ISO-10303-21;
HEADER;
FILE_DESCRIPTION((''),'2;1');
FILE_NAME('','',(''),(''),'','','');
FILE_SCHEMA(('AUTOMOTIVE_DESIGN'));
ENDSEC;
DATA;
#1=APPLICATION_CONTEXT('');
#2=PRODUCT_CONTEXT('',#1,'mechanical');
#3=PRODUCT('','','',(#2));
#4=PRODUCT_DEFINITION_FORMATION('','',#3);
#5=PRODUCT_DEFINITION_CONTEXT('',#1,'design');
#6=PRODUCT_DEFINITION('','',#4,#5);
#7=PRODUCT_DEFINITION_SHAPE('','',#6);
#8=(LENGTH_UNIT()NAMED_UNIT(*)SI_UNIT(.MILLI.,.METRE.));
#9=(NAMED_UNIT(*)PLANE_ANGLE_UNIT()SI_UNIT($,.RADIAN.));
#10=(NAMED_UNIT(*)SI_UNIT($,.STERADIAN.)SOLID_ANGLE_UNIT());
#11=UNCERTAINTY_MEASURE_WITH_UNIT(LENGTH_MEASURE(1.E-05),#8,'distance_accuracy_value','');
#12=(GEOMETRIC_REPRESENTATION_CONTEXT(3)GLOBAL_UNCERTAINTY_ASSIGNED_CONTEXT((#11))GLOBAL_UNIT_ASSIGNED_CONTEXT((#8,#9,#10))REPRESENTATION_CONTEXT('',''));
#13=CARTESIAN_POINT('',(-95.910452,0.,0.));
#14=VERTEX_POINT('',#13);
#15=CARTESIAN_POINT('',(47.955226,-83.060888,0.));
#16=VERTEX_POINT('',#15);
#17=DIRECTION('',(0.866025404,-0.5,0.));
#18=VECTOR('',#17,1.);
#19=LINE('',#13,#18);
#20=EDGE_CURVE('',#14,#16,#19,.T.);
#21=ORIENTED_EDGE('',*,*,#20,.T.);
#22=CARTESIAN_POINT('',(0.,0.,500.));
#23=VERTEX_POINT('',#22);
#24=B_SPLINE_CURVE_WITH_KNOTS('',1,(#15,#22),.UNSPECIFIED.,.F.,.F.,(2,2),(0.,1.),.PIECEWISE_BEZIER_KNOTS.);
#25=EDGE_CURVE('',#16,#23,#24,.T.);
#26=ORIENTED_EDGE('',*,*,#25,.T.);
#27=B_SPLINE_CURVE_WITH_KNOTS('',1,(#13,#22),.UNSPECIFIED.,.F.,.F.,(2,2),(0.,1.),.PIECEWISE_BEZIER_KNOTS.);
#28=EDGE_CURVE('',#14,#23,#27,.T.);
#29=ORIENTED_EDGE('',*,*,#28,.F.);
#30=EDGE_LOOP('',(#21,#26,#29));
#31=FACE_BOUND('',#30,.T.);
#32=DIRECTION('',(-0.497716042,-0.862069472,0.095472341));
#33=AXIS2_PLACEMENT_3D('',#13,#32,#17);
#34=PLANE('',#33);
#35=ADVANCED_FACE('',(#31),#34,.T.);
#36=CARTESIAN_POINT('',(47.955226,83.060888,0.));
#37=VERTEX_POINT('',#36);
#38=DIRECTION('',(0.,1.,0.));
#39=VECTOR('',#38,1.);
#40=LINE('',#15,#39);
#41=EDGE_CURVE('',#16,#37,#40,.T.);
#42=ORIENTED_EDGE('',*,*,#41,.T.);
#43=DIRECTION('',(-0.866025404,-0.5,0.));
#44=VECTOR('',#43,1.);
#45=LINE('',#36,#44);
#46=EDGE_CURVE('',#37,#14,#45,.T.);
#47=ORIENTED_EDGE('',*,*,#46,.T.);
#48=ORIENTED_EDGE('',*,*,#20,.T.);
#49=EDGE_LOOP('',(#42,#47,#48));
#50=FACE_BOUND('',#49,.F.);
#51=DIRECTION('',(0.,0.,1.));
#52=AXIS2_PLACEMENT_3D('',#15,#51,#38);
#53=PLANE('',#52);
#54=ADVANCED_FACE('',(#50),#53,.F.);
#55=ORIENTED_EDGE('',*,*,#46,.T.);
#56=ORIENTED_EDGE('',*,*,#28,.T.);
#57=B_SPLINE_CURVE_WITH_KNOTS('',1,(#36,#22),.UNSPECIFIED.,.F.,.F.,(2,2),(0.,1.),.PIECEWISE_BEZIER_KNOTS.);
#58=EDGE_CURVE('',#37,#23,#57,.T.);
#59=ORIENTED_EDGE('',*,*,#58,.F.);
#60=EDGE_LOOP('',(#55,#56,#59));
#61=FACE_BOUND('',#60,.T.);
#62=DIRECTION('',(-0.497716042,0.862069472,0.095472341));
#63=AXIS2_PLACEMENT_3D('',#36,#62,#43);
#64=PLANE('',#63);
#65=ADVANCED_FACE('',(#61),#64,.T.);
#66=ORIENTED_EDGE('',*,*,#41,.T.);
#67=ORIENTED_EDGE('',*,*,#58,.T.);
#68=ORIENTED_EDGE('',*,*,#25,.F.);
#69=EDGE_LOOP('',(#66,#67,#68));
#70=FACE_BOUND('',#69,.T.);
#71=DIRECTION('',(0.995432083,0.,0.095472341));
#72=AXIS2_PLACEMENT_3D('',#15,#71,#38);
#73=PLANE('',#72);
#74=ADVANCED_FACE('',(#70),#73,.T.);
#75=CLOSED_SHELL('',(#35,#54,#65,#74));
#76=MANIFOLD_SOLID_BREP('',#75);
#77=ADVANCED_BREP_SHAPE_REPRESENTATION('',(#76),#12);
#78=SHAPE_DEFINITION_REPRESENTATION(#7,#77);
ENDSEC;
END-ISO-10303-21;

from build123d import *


with BuildPart() as f3:
    # F0 (on Top) → F3 section 0
    with BuildSketch(Plane.XY, mode=Mode.PRIVATE) as f3_s0:
        Polygon((47.955226, -83.060888), (47.955226, 83.060888), (-95.910452, 0), align=None)
    loft([f3_s0.sketch, Vertex(0, 0, 500)])


solid = f3.part
